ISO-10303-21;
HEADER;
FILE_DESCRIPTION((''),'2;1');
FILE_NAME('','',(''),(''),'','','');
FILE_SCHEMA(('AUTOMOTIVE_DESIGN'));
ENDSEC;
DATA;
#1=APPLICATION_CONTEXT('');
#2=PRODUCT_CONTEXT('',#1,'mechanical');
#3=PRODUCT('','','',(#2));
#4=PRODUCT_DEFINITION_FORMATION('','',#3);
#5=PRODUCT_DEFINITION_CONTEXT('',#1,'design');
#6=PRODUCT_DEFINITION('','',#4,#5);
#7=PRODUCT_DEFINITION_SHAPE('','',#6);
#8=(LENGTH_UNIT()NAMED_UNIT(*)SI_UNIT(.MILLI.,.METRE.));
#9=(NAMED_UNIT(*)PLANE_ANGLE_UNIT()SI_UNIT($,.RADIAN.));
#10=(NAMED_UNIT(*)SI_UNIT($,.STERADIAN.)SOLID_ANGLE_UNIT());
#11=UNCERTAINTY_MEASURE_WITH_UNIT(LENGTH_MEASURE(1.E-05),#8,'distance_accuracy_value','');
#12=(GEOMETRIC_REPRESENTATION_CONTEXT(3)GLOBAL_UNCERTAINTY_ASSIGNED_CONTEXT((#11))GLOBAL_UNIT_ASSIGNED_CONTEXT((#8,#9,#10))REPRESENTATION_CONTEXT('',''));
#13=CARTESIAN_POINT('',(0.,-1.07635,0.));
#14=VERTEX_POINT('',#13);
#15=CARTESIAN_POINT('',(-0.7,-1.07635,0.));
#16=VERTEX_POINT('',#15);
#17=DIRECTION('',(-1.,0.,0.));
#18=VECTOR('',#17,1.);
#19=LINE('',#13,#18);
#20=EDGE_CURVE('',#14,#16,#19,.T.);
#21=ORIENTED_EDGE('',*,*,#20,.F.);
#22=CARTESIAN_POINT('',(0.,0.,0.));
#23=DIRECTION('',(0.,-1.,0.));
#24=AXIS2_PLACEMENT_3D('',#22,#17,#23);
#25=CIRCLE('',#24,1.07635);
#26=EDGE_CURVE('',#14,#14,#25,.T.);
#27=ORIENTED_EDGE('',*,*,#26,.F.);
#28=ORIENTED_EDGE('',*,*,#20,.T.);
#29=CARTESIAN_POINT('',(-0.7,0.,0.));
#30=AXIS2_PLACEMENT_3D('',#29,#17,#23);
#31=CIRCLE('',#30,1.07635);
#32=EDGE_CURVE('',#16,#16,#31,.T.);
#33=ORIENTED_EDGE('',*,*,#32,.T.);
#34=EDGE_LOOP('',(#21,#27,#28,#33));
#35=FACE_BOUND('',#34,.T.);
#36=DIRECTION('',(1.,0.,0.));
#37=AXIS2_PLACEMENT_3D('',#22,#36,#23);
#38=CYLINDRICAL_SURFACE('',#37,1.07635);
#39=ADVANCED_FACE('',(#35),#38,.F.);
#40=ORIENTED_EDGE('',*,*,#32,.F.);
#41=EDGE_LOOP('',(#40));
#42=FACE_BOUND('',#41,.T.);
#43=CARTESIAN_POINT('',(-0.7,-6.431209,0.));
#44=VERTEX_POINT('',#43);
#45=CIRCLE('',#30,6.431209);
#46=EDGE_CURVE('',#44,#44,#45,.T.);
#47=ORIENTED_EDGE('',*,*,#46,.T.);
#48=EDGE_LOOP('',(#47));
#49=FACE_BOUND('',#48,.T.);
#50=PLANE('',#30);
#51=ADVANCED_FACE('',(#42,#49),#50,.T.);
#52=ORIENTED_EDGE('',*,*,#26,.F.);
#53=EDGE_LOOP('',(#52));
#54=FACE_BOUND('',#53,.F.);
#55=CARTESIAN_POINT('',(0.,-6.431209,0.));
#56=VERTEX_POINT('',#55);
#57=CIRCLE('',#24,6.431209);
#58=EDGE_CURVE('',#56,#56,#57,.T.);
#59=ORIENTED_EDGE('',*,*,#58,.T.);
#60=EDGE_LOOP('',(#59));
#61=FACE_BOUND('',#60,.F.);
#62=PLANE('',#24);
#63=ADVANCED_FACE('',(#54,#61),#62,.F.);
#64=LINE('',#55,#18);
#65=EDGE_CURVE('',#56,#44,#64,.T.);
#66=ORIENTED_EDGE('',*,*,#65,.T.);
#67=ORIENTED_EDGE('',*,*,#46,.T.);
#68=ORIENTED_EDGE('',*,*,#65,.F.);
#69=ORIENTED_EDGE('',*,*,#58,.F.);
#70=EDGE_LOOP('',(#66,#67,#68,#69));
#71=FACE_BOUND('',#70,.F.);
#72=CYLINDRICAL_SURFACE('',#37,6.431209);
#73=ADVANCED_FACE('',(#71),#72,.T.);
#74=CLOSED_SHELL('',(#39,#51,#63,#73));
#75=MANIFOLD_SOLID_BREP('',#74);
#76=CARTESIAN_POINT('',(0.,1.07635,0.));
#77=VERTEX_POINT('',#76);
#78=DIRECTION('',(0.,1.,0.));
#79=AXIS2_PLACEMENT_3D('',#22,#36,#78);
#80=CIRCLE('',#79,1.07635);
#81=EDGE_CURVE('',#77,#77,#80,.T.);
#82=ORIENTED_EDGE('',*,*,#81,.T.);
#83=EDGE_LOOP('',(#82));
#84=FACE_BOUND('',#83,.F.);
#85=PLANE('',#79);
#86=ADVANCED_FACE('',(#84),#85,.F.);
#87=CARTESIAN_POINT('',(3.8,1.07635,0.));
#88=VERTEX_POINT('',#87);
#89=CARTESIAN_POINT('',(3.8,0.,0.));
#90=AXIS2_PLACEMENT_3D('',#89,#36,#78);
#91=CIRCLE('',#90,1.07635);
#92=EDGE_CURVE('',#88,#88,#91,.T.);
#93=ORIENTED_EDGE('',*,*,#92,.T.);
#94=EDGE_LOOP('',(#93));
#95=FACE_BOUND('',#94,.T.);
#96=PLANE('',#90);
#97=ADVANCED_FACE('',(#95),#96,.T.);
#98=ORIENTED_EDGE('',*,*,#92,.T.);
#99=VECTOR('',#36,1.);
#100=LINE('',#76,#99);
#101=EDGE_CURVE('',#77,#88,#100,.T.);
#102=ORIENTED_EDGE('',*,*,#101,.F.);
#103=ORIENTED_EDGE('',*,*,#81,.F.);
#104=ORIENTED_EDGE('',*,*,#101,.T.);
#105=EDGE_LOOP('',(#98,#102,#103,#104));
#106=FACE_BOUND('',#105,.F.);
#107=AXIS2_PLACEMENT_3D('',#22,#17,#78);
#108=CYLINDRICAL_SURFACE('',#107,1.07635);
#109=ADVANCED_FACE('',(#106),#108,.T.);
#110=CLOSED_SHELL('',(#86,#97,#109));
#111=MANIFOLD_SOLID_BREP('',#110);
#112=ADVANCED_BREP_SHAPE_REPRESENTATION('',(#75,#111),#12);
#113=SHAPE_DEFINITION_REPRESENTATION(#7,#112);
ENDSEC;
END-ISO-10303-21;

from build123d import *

# Parameters (mm, degrees)
F0_R     = 1.07635
F1_DEPTH = 3.8
F2_R     = 6.431209
F2_R_2   = 1.07635
F3_DEPTH = 0.7


with BuildPart() as f1:
    # F0 (on Right) → F1 (new body)
    with BuildSketch(Plane.YZ):
        Circle(F0_R)
    extrude(amount=F1_DEPTH)


with BuildPart() as f3:
    # F2 (on face) → F3 (new body)
    with BuildSketch(Plane(origin=(0, 0, 0), x_dir=(0, -1, 0), z_dir=(-1, 0, 0))):
        Circle(F2_R)
        Circle(F2_R_2, mode=Mode.SUBTRACT)
    extrude(amount=F3_DEPTH)


solid = Compound([f1.part, f3.part])
